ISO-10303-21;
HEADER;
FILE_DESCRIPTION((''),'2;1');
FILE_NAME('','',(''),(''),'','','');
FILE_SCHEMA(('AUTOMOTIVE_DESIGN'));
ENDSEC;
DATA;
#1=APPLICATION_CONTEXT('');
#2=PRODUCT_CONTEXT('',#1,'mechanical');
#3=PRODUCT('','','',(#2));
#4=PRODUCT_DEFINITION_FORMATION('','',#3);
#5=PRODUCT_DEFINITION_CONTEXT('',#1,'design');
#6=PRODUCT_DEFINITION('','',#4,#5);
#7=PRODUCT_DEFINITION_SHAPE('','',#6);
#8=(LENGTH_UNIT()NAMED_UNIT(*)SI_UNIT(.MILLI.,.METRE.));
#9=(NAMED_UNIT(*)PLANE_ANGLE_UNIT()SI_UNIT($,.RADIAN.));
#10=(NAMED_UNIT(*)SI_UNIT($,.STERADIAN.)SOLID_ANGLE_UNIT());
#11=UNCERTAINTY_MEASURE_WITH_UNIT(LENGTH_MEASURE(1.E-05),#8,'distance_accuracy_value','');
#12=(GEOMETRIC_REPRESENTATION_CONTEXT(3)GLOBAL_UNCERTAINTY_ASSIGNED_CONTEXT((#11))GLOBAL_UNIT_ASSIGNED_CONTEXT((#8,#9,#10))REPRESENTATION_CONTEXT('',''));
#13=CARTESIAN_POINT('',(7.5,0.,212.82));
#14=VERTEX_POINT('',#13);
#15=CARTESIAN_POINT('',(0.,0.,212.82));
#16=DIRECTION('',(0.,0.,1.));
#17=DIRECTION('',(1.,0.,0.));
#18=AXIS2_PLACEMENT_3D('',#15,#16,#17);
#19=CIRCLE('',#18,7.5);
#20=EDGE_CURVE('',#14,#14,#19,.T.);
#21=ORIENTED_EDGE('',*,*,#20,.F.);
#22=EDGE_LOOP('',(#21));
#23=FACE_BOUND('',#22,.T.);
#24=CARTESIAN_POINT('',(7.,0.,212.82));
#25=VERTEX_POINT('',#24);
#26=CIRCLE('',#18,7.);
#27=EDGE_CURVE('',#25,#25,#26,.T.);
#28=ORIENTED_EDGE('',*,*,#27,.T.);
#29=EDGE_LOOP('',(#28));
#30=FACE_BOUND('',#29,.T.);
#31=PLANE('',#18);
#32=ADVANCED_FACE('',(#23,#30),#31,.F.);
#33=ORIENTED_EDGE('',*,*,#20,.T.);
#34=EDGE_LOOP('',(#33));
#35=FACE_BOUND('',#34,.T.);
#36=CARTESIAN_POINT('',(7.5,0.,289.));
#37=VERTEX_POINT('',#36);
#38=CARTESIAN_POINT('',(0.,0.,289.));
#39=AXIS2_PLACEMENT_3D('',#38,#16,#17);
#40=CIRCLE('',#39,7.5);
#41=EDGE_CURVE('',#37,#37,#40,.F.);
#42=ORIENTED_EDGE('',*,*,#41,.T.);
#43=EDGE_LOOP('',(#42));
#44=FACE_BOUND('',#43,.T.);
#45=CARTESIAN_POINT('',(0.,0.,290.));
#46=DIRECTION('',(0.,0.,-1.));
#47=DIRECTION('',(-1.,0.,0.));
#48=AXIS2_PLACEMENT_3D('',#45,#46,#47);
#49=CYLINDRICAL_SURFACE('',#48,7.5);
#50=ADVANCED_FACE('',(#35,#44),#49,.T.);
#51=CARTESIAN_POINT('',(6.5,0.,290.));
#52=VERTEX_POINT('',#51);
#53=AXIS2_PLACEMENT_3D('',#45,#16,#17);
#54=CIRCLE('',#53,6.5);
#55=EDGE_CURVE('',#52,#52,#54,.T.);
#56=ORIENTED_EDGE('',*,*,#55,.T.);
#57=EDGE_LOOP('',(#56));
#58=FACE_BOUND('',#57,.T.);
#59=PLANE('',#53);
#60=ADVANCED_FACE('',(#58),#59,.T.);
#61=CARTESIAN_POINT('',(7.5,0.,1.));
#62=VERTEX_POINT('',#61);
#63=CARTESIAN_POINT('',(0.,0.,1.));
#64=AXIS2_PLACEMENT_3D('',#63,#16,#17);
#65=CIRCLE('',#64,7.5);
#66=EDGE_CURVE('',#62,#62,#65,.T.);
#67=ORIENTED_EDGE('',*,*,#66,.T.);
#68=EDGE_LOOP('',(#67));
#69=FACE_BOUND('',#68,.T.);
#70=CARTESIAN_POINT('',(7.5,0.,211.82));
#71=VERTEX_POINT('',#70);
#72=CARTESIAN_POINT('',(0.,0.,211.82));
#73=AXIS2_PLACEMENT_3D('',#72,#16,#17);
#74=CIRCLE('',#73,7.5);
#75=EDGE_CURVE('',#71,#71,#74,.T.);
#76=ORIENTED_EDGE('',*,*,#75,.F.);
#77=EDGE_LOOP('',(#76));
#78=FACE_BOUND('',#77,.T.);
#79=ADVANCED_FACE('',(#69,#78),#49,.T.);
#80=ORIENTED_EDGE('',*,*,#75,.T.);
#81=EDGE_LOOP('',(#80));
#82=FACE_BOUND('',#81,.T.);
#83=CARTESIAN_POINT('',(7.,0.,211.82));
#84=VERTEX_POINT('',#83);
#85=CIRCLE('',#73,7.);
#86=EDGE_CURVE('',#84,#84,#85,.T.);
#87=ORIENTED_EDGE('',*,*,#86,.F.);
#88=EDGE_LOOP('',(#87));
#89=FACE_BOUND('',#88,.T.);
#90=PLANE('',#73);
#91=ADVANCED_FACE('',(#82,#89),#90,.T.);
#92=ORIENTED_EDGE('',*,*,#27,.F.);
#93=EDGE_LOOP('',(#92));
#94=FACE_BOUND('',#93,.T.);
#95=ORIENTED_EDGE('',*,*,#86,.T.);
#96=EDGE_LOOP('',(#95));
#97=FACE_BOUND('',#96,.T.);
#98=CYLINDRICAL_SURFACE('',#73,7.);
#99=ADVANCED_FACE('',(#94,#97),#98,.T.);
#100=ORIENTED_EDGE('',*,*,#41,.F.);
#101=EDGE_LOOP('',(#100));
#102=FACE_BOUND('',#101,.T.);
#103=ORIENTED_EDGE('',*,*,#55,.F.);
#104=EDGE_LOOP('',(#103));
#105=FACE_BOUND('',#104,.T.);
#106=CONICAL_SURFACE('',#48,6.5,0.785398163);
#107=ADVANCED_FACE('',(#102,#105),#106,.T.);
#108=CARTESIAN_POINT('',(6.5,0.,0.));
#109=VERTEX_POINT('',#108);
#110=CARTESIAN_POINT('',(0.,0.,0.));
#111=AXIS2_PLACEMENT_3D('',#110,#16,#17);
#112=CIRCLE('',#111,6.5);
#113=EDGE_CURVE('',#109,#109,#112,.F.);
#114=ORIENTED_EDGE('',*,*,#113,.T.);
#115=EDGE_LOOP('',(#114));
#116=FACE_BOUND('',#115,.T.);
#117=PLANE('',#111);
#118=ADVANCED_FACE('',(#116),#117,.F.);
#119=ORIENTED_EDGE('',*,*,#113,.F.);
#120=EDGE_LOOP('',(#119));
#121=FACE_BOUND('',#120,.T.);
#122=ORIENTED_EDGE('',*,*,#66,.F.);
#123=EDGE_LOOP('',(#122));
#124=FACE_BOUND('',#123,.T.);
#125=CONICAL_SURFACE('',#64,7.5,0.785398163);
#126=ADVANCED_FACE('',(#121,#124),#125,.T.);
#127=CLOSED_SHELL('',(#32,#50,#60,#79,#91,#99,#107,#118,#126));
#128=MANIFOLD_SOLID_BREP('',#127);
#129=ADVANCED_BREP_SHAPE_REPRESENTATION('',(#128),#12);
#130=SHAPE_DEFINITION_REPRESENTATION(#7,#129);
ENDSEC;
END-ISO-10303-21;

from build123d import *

# Parameters (mm, degrees)
SKETCH1_R           = 7.5
BOSS_EXTRUDE1_DEPTH = 290
CHAMFER1_SIZE       = 1
CUT_EXTRUDE1_START  = -1
SKETCH2_R           = 7.5
SKETCH2_R_2         = 7
CUT_EXTRUDE1_DEPTH  = 1


with BuildPart() as part:
    # Sketch1 → Boss-Extrude1 (new body)
    with BuildSketch(Plane.XY):
        Circle(SKETCH1_R)
    extrude(amount=BOSS_EXTRUDE1_DEPTH)

    # Chamfer1
    chamfer1_edges = [part.edges().sort_by_distance(p)[0] for p in [
        (-7.5, 0, 0),
        (-7.5, 0, 290),
    ]]
    chamfer(chamfer1_edges, length=CHAMFER1_SIZE)

    # Sketch2 → Cut-Extrude1 (cut)
    with BuildSketch(Plane.XY.offset(212.82).offset(CUT_EXTRUDE1_START)):
        Circle(SKETCH2_R)
        Circle(SKETCH2_R_2, mode=Mode.SUBTRACT)
    extrude(amount=CUT_EXTRUDE1_DEPTH, mode=Mode.SUBTRACT)


solid = part.part
